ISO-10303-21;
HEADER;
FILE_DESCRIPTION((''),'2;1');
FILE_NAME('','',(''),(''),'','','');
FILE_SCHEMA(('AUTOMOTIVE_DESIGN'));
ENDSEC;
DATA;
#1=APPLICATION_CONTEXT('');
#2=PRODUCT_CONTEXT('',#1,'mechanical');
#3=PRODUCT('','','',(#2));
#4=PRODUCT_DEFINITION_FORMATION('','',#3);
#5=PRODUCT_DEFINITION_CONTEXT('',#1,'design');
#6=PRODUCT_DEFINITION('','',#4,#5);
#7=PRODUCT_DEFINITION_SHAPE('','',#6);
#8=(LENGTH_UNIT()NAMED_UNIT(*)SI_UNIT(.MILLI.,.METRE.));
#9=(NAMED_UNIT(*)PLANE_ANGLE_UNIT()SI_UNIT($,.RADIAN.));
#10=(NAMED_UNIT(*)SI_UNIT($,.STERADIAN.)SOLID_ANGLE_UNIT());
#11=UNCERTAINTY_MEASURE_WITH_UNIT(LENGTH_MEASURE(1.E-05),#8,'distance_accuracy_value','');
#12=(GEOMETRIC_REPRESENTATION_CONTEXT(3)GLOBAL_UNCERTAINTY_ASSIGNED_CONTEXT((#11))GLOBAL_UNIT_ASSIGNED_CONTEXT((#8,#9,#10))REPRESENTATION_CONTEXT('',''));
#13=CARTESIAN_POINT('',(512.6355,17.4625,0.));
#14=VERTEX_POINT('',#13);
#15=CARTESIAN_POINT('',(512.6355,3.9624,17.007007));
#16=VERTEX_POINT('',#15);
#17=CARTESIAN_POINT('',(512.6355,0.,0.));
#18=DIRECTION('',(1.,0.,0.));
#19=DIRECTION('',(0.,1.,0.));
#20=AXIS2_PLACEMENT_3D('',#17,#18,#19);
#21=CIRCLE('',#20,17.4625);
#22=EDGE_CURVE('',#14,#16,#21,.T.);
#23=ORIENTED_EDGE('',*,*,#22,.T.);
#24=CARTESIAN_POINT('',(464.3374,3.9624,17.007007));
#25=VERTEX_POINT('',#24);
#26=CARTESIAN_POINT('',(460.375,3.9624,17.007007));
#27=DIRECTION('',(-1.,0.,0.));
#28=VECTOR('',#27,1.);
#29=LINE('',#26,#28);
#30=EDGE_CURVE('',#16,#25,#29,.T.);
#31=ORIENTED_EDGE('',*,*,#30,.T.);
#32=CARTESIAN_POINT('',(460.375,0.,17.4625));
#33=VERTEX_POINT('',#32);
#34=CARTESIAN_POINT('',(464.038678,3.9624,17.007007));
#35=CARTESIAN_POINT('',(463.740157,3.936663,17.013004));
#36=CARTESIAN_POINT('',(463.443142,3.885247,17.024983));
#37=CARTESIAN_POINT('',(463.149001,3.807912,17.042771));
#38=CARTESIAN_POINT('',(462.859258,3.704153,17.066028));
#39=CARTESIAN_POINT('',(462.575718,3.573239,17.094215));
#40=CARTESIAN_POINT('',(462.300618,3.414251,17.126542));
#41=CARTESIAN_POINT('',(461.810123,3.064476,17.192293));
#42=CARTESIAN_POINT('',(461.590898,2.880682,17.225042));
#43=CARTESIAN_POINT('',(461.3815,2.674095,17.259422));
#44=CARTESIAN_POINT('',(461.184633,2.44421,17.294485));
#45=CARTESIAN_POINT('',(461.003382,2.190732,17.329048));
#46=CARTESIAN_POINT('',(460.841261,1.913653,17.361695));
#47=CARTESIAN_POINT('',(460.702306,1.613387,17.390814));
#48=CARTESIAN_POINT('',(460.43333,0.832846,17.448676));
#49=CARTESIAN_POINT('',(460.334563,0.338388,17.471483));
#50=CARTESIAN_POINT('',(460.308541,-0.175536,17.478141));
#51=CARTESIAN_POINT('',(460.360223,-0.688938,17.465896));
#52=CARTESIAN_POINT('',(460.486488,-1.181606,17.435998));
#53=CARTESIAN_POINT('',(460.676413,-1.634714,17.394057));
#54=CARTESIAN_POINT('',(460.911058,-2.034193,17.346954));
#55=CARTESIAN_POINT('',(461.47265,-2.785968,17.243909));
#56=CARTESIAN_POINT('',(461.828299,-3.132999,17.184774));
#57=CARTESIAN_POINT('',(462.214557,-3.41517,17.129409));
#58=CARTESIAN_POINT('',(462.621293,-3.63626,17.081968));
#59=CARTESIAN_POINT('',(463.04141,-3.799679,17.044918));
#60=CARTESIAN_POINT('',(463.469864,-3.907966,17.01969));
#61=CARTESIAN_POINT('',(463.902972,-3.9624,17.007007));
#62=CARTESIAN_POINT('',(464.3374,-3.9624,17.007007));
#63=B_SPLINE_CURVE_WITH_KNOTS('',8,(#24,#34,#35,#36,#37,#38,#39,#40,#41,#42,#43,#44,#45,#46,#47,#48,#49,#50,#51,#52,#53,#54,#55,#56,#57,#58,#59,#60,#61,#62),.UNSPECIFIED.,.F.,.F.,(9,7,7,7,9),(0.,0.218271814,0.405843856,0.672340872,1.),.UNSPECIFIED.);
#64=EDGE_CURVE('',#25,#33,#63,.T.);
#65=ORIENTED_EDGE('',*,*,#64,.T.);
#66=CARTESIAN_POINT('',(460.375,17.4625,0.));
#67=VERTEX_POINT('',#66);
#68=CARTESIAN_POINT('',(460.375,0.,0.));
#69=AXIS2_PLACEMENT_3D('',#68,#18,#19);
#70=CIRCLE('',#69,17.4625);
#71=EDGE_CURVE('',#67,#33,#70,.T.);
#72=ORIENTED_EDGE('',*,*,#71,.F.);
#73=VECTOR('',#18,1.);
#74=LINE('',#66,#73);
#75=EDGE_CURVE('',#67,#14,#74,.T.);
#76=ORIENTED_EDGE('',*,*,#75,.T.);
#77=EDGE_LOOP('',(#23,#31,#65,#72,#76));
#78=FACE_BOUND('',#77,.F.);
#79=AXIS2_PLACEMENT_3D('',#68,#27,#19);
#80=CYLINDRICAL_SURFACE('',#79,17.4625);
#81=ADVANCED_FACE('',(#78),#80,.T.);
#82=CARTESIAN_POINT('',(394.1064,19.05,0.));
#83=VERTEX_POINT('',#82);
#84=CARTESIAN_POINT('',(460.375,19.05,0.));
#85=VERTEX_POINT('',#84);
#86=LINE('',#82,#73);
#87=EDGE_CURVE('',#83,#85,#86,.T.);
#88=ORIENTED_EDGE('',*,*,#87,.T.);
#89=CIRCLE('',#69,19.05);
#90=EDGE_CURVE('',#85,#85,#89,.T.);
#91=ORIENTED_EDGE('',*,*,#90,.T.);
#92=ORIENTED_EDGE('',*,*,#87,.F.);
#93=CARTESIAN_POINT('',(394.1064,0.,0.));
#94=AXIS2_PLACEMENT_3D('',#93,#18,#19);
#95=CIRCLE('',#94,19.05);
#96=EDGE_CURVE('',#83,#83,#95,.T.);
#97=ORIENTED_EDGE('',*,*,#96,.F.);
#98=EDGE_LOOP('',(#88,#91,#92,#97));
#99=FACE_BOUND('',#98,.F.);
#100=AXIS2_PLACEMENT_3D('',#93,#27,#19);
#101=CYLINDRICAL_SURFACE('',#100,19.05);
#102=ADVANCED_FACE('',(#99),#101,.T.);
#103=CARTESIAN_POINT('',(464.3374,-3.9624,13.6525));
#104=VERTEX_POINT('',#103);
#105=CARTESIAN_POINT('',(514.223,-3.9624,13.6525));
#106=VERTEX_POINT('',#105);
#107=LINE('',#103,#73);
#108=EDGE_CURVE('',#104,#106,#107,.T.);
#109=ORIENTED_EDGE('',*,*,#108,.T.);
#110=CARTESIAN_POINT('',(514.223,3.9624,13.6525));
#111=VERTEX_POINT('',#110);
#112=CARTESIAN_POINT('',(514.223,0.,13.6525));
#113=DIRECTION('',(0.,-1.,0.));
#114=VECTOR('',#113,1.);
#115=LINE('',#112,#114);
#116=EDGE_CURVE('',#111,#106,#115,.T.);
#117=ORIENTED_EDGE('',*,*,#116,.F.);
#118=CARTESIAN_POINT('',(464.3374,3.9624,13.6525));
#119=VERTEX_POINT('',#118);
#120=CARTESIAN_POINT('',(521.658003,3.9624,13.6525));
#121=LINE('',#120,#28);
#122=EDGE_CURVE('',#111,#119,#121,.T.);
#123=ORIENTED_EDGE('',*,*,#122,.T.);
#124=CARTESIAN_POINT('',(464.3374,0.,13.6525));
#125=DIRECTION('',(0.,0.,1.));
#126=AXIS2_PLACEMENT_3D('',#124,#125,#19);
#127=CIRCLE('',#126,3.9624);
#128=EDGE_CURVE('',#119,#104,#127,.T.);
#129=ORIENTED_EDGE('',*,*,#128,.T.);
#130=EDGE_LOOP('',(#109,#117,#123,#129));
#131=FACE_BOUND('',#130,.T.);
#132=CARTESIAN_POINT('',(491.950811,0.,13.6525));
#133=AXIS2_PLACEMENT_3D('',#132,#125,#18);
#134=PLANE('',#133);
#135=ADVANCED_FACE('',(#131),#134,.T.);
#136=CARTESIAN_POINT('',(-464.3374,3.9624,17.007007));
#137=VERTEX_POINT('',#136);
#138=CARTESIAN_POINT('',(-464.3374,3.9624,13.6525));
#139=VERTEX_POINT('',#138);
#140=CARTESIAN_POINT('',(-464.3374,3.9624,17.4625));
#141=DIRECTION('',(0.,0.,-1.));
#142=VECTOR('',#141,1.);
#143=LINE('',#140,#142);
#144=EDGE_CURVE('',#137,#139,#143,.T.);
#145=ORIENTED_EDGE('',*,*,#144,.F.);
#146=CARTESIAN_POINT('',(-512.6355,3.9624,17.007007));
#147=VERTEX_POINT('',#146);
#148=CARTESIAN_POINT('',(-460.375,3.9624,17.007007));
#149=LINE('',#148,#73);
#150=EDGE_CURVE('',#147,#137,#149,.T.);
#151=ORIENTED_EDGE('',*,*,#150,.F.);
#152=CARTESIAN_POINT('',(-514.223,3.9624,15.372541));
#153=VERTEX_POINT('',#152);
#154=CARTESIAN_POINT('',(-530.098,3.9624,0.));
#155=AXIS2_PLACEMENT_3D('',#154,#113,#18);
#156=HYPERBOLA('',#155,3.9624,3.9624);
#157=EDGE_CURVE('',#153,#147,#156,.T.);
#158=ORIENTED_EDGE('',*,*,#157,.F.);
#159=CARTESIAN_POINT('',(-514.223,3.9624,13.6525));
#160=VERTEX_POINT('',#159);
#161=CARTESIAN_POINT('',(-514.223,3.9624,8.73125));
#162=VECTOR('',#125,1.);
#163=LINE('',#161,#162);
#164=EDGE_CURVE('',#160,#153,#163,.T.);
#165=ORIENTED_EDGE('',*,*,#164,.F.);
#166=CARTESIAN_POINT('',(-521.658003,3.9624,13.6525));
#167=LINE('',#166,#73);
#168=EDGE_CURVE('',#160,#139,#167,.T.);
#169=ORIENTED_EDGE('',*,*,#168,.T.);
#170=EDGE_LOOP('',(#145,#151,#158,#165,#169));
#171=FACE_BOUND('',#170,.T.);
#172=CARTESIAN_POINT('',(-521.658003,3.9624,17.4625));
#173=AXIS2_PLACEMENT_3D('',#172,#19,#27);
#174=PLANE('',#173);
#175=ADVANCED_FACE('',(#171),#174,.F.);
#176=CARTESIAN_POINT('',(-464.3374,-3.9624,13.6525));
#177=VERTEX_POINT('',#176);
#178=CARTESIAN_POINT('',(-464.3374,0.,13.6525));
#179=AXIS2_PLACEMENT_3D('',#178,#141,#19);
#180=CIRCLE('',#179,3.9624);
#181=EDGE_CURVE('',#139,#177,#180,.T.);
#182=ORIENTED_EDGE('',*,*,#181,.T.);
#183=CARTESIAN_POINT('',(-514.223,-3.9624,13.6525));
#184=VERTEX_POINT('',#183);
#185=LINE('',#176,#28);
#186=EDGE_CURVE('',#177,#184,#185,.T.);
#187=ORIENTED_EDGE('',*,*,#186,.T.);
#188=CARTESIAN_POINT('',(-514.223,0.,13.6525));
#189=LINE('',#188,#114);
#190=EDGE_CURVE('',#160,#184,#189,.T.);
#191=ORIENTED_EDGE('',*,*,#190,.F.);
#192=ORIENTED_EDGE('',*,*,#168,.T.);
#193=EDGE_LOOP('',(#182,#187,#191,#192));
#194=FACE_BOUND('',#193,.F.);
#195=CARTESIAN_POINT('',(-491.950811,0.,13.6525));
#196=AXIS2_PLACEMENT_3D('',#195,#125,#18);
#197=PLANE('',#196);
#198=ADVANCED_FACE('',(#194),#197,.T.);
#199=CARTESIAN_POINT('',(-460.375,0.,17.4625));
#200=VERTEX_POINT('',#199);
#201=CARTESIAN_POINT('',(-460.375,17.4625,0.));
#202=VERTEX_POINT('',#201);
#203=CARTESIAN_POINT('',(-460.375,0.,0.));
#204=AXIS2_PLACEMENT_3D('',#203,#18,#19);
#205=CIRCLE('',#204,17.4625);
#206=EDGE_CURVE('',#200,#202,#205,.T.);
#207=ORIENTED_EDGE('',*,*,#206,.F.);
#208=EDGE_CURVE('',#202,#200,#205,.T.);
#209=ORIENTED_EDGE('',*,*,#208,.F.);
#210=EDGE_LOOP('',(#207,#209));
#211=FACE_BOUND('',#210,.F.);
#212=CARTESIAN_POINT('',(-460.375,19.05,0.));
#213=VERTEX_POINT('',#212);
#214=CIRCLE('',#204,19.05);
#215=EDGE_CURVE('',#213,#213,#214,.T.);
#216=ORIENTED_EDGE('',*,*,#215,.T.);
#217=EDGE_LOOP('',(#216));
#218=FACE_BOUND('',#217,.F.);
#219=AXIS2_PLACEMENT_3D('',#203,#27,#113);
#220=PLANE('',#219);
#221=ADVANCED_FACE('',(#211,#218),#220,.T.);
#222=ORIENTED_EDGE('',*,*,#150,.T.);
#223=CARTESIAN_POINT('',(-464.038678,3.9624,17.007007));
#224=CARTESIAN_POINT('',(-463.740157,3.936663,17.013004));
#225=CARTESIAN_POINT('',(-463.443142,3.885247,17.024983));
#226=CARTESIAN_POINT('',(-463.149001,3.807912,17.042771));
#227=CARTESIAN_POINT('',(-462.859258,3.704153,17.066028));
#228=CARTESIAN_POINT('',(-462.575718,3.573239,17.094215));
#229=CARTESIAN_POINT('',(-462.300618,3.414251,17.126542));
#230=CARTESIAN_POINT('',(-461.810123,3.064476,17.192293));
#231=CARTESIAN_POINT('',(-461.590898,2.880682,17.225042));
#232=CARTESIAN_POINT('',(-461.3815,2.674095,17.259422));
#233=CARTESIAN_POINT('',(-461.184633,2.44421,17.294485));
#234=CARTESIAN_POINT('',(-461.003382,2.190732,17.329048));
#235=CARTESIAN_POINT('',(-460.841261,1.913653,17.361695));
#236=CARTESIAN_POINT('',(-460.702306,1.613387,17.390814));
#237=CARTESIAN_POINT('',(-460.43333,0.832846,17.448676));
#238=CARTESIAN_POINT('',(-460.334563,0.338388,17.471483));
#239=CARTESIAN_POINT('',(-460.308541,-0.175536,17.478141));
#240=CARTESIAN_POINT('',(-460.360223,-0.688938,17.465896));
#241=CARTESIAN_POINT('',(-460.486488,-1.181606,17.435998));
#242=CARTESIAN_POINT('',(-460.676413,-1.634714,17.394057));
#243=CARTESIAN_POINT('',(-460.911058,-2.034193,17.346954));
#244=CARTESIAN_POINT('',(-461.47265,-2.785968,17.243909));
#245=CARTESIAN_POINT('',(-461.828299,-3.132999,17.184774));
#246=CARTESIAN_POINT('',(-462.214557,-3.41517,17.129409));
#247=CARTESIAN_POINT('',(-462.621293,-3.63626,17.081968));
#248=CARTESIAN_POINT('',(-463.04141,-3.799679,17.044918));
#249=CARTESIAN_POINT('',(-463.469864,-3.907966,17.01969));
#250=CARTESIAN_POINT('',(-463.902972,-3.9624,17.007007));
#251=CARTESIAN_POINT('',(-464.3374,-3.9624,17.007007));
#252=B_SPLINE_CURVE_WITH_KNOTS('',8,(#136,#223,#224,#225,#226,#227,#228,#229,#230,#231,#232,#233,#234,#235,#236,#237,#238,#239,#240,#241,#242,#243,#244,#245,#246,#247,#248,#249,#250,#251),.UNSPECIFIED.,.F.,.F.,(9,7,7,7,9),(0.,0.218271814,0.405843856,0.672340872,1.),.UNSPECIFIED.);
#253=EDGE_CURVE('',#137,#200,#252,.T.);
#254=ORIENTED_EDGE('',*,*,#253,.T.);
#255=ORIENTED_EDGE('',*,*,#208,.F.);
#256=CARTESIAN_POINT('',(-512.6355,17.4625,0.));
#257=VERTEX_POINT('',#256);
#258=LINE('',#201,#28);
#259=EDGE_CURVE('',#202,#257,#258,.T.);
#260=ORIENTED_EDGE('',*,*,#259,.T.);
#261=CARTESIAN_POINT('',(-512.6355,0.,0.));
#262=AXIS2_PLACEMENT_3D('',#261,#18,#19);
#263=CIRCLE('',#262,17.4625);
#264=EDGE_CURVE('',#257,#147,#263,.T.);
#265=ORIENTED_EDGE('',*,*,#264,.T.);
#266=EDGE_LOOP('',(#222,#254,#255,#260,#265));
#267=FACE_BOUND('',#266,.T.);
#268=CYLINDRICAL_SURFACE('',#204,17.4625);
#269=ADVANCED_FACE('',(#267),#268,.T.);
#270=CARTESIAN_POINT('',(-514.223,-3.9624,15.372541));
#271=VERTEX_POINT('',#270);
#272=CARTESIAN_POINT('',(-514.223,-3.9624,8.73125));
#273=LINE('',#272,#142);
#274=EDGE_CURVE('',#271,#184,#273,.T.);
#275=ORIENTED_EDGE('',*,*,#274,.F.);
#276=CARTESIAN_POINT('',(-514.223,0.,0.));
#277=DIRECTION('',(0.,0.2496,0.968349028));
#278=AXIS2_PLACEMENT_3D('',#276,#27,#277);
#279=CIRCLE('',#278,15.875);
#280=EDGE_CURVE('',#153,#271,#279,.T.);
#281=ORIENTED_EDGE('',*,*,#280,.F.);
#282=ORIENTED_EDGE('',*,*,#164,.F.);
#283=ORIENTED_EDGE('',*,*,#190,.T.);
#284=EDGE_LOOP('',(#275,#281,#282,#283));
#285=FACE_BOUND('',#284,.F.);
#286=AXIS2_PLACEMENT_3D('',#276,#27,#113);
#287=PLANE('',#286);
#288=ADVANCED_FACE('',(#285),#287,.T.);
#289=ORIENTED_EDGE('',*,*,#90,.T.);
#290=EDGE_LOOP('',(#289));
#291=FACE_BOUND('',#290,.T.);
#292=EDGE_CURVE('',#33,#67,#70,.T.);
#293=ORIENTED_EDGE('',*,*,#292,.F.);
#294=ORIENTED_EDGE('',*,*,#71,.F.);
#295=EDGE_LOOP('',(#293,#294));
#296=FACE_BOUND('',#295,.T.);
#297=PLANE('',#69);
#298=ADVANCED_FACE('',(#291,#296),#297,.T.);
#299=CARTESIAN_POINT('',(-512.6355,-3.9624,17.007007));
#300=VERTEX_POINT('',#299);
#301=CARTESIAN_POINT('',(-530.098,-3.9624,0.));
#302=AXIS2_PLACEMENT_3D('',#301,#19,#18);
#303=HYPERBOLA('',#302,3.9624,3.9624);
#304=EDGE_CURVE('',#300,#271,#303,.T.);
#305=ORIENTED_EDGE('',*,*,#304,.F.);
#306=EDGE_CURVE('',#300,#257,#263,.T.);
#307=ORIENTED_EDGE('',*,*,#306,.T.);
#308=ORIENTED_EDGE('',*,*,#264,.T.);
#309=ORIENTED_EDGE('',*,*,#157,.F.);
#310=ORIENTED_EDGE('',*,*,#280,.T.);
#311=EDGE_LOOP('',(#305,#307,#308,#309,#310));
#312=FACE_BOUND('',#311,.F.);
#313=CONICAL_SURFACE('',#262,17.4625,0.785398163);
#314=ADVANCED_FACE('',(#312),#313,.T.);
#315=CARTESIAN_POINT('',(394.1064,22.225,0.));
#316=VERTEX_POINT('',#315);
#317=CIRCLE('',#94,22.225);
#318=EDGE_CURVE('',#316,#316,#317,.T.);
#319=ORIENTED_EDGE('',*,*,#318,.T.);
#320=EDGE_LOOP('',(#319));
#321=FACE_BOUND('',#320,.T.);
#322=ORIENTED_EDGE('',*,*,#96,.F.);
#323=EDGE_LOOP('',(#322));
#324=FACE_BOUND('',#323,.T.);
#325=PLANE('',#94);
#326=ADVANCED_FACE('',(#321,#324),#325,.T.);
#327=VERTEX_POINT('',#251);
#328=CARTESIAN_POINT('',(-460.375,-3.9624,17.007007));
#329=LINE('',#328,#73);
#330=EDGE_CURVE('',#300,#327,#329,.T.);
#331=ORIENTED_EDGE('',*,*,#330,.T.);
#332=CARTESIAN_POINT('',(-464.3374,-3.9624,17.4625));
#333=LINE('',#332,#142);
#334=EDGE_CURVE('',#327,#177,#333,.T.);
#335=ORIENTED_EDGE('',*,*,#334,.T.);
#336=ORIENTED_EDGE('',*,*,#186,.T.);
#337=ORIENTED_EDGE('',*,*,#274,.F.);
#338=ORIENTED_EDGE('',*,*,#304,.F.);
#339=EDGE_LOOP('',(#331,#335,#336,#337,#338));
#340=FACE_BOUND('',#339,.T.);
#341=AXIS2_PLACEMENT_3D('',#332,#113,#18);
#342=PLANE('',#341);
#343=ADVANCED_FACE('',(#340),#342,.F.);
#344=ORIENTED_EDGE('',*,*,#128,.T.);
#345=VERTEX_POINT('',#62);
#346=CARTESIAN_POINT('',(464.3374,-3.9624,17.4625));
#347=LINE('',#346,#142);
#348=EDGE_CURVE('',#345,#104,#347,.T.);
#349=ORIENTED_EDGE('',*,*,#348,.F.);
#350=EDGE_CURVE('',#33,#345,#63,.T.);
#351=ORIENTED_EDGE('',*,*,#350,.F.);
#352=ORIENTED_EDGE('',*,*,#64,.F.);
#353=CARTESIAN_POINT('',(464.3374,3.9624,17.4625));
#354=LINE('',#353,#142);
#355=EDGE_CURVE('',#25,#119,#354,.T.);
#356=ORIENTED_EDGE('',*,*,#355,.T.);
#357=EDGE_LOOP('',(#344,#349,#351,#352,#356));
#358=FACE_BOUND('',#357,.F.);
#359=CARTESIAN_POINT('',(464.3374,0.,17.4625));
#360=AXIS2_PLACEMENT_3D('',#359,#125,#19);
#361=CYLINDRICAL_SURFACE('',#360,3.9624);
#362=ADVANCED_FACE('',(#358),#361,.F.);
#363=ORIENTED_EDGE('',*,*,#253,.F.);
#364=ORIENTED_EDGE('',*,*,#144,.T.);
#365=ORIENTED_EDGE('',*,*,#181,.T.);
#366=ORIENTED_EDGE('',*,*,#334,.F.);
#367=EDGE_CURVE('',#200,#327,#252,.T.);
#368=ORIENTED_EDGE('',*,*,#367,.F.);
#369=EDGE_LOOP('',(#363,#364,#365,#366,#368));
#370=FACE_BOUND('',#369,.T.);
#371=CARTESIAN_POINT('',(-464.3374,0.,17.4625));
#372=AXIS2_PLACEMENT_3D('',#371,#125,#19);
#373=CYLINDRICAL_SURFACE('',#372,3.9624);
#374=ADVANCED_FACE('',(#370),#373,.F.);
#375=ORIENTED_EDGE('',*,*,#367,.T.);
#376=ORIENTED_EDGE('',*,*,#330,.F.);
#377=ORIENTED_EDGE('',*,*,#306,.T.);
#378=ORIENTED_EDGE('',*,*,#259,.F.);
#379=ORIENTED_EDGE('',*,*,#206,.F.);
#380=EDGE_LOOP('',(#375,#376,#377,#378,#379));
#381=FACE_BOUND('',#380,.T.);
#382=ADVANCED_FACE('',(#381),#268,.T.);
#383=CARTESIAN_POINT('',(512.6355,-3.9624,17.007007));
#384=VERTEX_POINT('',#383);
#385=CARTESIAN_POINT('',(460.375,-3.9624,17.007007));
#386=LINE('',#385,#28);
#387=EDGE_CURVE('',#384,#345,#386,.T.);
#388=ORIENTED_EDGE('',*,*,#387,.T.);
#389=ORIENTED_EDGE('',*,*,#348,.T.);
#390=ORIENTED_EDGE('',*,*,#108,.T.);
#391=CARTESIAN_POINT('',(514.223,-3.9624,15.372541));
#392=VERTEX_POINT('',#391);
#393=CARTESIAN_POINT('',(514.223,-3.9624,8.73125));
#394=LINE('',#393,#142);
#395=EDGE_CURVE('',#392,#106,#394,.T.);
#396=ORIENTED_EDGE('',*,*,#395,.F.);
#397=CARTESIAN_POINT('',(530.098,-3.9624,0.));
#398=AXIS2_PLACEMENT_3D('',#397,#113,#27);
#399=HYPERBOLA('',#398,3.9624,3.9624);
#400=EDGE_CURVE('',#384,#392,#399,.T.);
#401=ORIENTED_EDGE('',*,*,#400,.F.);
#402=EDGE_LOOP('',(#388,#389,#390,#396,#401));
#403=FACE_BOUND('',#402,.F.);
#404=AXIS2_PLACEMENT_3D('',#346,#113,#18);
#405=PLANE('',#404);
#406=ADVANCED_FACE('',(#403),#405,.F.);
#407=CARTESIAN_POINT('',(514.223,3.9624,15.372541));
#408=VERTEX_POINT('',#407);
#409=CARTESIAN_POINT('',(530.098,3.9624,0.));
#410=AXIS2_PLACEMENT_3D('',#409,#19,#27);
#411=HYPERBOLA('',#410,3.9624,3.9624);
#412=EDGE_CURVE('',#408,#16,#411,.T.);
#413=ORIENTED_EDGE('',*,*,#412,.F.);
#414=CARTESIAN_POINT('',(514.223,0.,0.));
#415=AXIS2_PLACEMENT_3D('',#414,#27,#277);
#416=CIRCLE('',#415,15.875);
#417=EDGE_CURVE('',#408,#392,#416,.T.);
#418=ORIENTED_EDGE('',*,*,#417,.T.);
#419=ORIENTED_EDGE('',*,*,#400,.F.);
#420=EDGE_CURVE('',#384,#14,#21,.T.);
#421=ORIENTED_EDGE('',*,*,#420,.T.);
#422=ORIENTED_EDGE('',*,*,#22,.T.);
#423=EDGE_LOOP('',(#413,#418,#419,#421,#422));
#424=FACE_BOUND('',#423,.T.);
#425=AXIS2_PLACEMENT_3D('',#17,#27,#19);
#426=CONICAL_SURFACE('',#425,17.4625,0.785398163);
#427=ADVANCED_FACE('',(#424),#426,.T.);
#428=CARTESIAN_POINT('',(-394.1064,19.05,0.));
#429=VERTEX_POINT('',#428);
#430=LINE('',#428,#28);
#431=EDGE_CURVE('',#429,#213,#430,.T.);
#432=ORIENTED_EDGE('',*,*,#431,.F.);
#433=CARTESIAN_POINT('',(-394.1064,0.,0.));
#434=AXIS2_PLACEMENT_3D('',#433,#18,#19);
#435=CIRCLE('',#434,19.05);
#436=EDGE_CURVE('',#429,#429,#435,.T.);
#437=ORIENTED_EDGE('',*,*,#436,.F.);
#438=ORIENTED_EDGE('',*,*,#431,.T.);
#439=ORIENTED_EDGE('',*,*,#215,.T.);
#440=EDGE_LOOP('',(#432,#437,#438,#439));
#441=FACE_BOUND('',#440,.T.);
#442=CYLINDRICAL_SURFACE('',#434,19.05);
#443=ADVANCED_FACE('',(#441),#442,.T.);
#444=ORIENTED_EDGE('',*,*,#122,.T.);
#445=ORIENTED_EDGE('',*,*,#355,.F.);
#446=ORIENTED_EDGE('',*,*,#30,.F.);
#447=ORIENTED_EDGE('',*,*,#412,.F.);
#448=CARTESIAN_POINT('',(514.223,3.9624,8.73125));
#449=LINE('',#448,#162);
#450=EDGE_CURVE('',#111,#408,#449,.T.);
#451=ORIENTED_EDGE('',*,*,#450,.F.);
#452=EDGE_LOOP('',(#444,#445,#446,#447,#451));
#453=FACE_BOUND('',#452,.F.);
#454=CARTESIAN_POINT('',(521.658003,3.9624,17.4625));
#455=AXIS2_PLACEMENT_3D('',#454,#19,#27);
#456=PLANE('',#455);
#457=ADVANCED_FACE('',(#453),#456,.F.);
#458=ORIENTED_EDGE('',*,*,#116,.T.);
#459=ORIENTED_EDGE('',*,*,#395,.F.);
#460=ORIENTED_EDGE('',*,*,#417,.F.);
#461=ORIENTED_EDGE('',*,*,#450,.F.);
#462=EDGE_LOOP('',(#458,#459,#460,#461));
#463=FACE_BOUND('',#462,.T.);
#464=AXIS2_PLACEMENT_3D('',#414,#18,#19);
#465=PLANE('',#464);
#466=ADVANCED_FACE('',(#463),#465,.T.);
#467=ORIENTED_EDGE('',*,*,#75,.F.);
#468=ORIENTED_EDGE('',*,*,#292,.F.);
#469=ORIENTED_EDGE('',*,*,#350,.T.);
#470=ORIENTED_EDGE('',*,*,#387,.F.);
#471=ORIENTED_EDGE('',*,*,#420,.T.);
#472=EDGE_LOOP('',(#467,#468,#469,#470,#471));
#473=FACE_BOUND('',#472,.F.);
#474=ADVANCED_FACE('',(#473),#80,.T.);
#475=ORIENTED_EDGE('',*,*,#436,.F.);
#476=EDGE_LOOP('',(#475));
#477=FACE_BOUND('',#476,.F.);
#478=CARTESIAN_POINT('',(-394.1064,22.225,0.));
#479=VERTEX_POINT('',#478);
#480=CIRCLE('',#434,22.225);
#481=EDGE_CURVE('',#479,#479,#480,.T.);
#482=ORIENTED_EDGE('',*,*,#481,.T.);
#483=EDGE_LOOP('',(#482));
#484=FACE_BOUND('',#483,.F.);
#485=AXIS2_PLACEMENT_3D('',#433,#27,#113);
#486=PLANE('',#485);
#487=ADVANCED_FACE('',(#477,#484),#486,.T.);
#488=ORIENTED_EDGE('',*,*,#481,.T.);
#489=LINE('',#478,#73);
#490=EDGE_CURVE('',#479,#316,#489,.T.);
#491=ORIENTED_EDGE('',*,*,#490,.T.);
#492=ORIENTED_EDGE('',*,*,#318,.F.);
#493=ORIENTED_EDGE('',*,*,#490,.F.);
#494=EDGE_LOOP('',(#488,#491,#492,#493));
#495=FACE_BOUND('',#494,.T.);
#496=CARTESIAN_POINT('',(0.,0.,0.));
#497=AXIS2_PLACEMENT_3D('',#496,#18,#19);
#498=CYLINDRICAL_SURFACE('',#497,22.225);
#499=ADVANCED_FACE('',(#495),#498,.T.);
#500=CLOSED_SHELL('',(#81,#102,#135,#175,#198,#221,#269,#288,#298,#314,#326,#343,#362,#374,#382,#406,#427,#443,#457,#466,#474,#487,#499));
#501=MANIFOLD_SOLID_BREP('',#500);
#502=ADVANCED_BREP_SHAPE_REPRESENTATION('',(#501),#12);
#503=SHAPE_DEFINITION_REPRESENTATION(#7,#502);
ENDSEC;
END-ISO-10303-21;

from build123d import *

# Parameters (mm, degrees)
F0_R     = 22.225
F1_DEPTH = 394.1064
F2_R     = 19.05
F3_DEPTH = 66.2686
F4_R     = 17.4625
F5_DEPTH = 53.848
F6_SIZE  = 1.5875
F9_DEPTH = 3.81


with BuildPart() as f1:
    # F0 (on Right) → F1 (new body)
    with BuildSketch(Plane.YZ):
        Circle(F0_R)
    extrude(amount=F1_DEPTH)

    # F2 (on face) → F3 (join)
    with BuildSketch(Plane.YZ.offset(394.1064)):
        Circle(F2_R)
    extrude(amount=F3_DEPTH)

    # F4 (on face) → F5 (join)
    with BuildSketch(Plane.YZ.offset(460.375)):
        Circle(F4_R)
    extrude(amount=F5_DEPTH)

    # F6
    f6_edges = [f1.edges().sort_by_distance(p)[0] for p in [
        (514.223, -17.4625, 0),
    ]]
    chamfer(f6_edges, length=F6_SIZE)

    # F8 (on offset) → F9 (cut)
    with BuildSketch(Plane.XY.offset(17.4625)):
        with BuildLine():
            Line((521.658003, 3.9624), (464.3374, 3.9624))
            ThreePointArc((464.3374, 3.9624), (460.375, 0), (464.3374, -3.9624))
            Line((464.3374, -3.9624), (521.658003, -3.9624))
            Line((521.658003, -3.9624), (521.658003, 3.9624))
        make_face()
    extrude(amount=-F9_DEPTH, mode=Mode.SUBTRACT)

    # F10: F1 across plane


with BuildPart() as f1_1:
    add(f1.part)
    add(f1.part.mirror(Plane.YZ))


solid = f1_1.part
